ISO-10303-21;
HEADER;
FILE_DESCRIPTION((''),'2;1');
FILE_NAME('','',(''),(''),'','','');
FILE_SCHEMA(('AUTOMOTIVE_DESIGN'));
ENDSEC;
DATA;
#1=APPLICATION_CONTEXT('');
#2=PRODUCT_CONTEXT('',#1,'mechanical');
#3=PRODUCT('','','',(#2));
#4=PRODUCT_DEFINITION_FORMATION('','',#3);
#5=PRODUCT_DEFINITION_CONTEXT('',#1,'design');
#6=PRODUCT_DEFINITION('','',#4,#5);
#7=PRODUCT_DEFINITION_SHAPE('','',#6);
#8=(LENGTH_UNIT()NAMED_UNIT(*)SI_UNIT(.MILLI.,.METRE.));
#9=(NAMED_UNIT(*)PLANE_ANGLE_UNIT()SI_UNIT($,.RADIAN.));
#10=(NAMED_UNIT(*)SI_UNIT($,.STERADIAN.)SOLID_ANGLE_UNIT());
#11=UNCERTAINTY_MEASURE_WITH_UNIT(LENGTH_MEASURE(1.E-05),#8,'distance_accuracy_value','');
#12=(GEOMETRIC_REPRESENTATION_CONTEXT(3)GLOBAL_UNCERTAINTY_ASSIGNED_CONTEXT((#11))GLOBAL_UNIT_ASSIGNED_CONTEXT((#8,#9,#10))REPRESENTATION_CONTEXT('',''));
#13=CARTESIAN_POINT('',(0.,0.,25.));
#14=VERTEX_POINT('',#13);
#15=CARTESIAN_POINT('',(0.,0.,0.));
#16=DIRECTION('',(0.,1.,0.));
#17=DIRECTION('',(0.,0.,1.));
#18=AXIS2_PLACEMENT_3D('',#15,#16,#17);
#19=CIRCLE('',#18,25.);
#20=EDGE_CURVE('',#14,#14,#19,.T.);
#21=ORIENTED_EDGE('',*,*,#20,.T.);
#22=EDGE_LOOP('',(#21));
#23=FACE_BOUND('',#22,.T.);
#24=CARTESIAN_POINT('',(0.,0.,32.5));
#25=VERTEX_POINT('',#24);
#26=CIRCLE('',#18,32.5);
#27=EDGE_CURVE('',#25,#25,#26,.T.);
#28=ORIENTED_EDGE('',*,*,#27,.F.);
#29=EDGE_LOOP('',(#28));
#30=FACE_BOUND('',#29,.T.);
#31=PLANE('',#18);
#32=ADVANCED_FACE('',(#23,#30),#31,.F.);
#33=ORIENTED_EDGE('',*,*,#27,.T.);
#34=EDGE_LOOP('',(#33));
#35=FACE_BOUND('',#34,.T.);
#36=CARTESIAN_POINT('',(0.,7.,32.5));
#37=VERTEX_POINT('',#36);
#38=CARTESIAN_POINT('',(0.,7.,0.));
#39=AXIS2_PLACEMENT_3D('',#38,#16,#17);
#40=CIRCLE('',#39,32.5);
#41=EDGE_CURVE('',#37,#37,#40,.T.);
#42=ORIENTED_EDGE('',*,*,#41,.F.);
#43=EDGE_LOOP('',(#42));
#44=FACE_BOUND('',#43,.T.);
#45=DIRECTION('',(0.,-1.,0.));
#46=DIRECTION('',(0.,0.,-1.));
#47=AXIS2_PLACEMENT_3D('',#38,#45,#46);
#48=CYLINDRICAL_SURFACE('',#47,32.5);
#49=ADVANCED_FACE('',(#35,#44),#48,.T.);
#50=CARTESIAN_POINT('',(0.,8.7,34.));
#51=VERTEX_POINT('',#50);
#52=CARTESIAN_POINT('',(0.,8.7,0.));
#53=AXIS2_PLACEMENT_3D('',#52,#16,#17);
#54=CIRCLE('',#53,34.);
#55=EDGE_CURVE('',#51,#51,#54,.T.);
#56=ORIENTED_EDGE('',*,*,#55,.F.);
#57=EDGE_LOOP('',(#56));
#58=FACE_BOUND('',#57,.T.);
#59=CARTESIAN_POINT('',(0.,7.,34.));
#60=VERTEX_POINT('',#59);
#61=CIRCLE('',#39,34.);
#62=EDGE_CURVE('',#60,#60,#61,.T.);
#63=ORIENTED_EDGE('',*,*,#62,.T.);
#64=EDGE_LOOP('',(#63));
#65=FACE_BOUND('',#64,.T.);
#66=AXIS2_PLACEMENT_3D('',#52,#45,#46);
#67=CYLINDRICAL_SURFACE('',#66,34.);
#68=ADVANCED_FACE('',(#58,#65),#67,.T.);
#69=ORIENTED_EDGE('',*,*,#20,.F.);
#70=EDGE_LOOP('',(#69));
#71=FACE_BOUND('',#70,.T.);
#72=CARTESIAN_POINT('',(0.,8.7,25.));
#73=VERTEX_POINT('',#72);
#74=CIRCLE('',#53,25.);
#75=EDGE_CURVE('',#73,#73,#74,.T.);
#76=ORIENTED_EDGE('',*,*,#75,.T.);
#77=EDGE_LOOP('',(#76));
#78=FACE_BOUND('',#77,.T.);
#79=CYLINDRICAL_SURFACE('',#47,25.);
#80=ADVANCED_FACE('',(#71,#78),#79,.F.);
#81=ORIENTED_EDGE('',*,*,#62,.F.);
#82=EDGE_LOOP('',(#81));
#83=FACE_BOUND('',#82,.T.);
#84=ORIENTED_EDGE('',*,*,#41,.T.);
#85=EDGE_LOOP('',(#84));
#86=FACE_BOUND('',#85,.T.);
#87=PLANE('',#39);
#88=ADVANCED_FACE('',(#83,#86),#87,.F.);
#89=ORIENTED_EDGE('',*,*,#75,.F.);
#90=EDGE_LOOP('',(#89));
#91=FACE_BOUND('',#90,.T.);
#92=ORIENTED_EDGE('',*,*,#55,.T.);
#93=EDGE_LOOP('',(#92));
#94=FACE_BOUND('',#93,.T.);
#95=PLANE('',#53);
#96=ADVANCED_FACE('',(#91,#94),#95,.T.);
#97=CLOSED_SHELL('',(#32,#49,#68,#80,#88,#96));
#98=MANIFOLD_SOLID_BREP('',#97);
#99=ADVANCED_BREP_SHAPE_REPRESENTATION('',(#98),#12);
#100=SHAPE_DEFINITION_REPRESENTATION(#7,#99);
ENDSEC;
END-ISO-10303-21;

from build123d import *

# Parameters (mm, degrees)
SKETCH_1_R      = 32.5
SKETCH_1_R_2    = 25
EXTRUDE_1_DEPTH = 7
SKETCH_2_R      = 34
SKETCH_2_R_2    = 25
EXTRUDE_2_DEPTH = 1.7


with BuildPart() as part:
    # 草图1 → 凸台-拉伸1 (new body)
    with BuildSketch(Plane(origin=(0, 0, 0), x_dir=(1, 0, 0), z_dir=(0, 1, 0))):
        with Locations(Location((0, 0, 0), (0, 0, 270))):
            Circle(SKETCH_1_R)
        with Locations(Location((0, 0, 0), (0, 0, 270))):
            Circle(SKETCH_1_R_2, mode=Mode.SUBTRACT)
    extrude(amount=EXTRUDE_1_DEPTH)

    # 草图2 → 凸台-拉伸2 (add)
    with BuildSketch(Plane(origin=(0, 7, 0), x_dir=(1, 0, 0), z_dir=(0, 1, 0))):
        with Locations(Location((0, 0, 0), (0, 0, 270))):
            Circle(SKETCH_2_R)
        with Locations(Location((0, 0, 0), (0, 0, 270))):
            Circle(SKETCH_2_R_2, mode=Mode.SUBTRACT)
    extrude(amount=EXTRUDE_2_DEPTH)


solid = part.part
